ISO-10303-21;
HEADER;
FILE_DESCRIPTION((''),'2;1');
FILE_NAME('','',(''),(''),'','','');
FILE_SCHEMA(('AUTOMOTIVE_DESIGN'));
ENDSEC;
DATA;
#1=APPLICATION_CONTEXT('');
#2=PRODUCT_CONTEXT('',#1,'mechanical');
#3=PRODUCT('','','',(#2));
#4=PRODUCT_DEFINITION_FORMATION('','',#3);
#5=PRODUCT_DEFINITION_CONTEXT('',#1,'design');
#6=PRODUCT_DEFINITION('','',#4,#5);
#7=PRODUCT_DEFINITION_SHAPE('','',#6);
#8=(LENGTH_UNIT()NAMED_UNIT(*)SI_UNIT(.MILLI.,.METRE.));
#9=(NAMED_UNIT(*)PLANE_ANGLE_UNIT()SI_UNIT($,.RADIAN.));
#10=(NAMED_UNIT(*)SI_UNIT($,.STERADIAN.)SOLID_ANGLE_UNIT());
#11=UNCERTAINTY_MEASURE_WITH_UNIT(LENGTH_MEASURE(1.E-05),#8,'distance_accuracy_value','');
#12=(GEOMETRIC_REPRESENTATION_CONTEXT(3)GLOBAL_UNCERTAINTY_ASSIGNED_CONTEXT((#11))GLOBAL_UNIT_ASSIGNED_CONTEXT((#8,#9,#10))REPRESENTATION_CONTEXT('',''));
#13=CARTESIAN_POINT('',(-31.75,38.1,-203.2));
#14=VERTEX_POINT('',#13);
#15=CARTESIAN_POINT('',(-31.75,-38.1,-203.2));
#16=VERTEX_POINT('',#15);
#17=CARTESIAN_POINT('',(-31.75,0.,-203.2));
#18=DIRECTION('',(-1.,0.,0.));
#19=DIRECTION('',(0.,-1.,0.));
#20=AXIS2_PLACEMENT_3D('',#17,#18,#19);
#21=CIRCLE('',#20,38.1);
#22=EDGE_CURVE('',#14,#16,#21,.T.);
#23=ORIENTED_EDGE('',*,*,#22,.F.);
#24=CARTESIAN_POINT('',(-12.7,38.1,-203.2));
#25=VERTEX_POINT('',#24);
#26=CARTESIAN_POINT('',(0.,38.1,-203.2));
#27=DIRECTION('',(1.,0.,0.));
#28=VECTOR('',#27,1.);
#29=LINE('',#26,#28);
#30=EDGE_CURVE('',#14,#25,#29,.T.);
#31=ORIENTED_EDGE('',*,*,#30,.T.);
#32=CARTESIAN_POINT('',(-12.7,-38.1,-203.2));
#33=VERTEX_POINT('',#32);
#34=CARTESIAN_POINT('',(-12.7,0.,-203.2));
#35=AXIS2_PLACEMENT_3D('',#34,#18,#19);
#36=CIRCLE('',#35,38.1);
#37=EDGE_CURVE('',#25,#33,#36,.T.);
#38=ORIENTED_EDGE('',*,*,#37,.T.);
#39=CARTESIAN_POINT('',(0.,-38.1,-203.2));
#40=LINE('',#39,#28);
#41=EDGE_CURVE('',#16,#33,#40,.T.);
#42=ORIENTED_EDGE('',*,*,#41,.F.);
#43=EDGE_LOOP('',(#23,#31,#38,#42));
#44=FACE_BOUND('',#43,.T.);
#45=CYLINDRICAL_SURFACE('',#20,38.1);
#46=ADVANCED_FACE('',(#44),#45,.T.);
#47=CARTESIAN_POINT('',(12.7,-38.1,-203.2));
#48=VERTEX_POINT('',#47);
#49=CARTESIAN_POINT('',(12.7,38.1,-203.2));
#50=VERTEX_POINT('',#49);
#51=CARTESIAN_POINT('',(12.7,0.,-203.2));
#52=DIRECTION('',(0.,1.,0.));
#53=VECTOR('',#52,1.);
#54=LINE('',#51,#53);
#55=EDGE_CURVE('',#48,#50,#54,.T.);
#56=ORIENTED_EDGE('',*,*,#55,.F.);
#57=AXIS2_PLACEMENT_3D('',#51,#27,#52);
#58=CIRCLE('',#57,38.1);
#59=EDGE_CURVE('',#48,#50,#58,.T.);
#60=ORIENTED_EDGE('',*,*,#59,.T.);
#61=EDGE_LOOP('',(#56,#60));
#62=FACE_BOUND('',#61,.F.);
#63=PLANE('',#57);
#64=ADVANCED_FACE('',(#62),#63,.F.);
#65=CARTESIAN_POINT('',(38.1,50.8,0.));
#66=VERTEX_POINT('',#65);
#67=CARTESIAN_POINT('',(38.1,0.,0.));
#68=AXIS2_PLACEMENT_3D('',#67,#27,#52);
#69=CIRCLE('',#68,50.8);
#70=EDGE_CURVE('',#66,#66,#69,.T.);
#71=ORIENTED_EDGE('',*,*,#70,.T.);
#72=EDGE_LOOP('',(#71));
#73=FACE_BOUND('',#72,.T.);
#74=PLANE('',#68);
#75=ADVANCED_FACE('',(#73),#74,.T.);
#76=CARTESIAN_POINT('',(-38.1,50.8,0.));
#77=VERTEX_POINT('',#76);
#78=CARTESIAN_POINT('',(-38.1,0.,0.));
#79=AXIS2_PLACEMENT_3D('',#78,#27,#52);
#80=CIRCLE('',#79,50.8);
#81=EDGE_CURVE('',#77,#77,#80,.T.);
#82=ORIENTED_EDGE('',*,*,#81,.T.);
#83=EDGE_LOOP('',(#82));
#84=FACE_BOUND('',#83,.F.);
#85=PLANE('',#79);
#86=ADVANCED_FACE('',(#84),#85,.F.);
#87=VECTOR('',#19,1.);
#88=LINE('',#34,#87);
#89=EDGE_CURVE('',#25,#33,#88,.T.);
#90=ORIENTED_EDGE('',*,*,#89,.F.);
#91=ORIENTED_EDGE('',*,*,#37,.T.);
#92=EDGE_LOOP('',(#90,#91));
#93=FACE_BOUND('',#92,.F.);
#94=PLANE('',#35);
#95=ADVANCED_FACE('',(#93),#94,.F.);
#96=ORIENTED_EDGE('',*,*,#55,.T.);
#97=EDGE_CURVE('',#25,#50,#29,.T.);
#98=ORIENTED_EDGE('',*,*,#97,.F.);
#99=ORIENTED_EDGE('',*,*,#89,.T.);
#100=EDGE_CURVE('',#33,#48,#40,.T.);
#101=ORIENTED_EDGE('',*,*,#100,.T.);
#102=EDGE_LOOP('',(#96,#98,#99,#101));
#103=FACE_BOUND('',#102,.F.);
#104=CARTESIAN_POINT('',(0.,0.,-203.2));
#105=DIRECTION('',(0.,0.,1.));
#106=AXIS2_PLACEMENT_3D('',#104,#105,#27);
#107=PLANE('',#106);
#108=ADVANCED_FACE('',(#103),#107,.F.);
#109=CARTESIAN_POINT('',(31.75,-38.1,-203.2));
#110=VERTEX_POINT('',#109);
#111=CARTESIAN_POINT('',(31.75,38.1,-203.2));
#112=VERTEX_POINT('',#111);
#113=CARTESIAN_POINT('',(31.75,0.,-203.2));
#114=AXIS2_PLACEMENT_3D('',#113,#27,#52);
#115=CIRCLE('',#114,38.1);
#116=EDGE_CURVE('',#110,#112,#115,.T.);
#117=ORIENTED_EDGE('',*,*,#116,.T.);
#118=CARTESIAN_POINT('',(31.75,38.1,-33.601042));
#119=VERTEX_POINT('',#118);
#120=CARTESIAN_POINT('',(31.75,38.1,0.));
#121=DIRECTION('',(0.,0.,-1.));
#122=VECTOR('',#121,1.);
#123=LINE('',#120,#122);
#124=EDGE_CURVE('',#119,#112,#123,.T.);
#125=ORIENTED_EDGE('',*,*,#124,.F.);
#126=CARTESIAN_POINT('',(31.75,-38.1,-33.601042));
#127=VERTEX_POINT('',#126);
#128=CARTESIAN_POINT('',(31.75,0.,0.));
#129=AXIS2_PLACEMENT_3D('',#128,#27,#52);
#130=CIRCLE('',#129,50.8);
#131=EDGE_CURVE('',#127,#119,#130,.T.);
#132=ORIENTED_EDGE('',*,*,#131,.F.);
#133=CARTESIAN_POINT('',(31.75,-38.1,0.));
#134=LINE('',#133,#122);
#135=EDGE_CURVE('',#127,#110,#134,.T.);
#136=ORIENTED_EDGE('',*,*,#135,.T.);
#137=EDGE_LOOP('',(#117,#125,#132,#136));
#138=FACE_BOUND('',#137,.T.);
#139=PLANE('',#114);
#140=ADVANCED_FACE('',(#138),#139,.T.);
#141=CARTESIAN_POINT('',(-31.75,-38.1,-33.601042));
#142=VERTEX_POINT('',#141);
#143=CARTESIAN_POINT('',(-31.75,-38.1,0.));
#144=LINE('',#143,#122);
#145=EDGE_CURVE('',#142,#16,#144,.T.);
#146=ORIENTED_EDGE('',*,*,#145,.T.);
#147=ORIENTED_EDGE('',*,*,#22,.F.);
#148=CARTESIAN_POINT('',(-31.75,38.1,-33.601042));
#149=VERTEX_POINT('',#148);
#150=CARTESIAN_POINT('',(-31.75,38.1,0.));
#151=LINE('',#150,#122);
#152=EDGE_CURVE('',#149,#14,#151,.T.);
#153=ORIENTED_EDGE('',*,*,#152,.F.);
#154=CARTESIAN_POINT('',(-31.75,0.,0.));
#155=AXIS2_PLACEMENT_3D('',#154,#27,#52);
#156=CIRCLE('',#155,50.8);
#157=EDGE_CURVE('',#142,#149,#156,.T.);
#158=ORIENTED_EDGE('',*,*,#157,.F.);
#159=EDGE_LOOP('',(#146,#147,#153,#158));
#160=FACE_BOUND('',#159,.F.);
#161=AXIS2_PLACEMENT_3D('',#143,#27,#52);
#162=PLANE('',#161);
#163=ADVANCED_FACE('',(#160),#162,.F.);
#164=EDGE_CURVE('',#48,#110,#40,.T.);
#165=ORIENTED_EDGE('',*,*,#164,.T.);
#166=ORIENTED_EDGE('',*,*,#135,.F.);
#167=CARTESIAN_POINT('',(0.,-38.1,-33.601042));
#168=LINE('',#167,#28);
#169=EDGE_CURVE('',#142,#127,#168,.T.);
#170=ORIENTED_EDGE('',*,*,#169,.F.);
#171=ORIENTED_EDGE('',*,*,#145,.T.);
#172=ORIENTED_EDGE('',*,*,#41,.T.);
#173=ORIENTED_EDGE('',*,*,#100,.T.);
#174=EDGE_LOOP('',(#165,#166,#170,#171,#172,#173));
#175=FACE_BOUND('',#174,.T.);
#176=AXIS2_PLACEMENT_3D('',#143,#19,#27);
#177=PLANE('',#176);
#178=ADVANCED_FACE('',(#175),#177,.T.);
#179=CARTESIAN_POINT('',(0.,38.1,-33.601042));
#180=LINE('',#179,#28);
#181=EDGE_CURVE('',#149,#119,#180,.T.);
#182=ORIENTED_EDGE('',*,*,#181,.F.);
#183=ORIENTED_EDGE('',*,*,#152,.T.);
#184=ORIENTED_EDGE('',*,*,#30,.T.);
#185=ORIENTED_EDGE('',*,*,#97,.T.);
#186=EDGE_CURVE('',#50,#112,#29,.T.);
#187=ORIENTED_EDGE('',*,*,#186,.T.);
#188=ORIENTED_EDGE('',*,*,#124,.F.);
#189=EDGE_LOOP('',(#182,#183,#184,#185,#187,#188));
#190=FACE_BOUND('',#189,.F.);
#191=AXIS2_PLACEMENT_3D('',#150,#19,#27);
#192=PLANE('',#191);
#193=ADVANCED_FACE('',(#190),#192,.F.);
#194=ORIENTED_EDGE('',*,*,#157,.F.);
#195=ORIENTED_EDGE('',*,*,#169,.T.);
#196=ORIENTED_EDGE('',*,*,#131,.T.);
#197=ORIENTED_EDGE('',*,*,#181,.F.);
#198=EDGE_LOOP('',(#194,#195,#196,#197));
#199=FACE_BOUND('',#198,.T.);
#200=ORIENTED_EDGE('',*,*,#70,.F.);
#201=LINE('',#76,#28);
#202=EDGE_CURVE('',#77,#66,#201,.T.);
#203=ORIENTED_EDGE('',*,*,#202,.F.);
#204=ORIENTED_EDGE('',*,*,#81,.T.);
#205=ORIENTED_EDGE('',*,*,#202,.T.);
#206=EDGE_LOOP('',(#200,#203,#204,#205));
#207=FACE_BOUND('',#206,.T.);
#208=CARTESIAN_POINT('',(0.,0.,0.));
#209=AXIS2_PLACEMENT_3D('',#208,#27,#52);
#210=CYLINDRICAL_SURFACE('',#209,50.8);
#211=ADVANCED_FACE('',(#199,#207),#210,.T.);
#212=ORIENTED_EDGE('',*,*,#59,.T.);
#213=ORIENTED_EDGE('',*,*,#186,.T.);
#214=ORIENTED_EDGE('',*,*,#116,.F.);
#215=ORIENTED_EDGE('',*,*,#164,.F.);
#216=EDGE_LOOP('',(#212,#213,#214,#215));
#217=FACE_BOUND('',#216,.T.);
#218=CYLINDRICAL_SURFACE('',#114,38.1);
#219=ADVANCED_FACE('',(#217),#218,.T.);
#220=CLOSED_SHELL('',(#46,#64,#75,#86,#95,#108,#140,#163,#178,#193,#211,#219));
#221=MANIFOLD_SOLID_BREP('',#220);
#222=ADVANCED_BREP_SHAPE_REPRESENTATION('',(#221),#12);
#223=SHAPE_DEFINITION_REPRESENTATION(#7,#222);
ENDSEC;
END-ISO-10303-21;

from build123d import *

# Parameters (mm, degrees)
F0_R     = 50.8
F1_DEPTH = 38.1
F2_W     = 63.5
F2_H     = 76.2
F3_DEPTH = 203.2
F4_R     = 38.1
F5_DEPTH = 19.05
F6_R     = 38.1
F7_DEPTH = 19.05


with BuildPart() as f1:
    # F0 (on Right) → F1 (new body, symmetric)
    with BuildSketch(Plane.YZ):
        Circle(F0_R)
    extrude(amount=F1_DEPTH, both=True)

    # F2 (on Top) → F3 (join)
    with BuildSketch(Plane.XY):
        Rectangle(F2_W, F2_H)
    extrude(amount=-F3_DEPTH)

    # F4 (on face) → F5 (join)
    with BuildSketch(Plane(origin=(-31.75, 0, 0), x_dir=(0, -1, 0), z_dir=(-1, 0, 0))):
        with Locations((0, -203.2)):
            Circle(F4_R)
    extrude(amount=-F5_DEPTH)

    # F6 (on face) → F7 (join)
    with BuildSketch(Plane.YZ.offset(31.75)):
        with Locations((0, -203.2)):
            Circle(F6_R)
    extrude(amount=-F7_DEPTH)


solid = f1.part
